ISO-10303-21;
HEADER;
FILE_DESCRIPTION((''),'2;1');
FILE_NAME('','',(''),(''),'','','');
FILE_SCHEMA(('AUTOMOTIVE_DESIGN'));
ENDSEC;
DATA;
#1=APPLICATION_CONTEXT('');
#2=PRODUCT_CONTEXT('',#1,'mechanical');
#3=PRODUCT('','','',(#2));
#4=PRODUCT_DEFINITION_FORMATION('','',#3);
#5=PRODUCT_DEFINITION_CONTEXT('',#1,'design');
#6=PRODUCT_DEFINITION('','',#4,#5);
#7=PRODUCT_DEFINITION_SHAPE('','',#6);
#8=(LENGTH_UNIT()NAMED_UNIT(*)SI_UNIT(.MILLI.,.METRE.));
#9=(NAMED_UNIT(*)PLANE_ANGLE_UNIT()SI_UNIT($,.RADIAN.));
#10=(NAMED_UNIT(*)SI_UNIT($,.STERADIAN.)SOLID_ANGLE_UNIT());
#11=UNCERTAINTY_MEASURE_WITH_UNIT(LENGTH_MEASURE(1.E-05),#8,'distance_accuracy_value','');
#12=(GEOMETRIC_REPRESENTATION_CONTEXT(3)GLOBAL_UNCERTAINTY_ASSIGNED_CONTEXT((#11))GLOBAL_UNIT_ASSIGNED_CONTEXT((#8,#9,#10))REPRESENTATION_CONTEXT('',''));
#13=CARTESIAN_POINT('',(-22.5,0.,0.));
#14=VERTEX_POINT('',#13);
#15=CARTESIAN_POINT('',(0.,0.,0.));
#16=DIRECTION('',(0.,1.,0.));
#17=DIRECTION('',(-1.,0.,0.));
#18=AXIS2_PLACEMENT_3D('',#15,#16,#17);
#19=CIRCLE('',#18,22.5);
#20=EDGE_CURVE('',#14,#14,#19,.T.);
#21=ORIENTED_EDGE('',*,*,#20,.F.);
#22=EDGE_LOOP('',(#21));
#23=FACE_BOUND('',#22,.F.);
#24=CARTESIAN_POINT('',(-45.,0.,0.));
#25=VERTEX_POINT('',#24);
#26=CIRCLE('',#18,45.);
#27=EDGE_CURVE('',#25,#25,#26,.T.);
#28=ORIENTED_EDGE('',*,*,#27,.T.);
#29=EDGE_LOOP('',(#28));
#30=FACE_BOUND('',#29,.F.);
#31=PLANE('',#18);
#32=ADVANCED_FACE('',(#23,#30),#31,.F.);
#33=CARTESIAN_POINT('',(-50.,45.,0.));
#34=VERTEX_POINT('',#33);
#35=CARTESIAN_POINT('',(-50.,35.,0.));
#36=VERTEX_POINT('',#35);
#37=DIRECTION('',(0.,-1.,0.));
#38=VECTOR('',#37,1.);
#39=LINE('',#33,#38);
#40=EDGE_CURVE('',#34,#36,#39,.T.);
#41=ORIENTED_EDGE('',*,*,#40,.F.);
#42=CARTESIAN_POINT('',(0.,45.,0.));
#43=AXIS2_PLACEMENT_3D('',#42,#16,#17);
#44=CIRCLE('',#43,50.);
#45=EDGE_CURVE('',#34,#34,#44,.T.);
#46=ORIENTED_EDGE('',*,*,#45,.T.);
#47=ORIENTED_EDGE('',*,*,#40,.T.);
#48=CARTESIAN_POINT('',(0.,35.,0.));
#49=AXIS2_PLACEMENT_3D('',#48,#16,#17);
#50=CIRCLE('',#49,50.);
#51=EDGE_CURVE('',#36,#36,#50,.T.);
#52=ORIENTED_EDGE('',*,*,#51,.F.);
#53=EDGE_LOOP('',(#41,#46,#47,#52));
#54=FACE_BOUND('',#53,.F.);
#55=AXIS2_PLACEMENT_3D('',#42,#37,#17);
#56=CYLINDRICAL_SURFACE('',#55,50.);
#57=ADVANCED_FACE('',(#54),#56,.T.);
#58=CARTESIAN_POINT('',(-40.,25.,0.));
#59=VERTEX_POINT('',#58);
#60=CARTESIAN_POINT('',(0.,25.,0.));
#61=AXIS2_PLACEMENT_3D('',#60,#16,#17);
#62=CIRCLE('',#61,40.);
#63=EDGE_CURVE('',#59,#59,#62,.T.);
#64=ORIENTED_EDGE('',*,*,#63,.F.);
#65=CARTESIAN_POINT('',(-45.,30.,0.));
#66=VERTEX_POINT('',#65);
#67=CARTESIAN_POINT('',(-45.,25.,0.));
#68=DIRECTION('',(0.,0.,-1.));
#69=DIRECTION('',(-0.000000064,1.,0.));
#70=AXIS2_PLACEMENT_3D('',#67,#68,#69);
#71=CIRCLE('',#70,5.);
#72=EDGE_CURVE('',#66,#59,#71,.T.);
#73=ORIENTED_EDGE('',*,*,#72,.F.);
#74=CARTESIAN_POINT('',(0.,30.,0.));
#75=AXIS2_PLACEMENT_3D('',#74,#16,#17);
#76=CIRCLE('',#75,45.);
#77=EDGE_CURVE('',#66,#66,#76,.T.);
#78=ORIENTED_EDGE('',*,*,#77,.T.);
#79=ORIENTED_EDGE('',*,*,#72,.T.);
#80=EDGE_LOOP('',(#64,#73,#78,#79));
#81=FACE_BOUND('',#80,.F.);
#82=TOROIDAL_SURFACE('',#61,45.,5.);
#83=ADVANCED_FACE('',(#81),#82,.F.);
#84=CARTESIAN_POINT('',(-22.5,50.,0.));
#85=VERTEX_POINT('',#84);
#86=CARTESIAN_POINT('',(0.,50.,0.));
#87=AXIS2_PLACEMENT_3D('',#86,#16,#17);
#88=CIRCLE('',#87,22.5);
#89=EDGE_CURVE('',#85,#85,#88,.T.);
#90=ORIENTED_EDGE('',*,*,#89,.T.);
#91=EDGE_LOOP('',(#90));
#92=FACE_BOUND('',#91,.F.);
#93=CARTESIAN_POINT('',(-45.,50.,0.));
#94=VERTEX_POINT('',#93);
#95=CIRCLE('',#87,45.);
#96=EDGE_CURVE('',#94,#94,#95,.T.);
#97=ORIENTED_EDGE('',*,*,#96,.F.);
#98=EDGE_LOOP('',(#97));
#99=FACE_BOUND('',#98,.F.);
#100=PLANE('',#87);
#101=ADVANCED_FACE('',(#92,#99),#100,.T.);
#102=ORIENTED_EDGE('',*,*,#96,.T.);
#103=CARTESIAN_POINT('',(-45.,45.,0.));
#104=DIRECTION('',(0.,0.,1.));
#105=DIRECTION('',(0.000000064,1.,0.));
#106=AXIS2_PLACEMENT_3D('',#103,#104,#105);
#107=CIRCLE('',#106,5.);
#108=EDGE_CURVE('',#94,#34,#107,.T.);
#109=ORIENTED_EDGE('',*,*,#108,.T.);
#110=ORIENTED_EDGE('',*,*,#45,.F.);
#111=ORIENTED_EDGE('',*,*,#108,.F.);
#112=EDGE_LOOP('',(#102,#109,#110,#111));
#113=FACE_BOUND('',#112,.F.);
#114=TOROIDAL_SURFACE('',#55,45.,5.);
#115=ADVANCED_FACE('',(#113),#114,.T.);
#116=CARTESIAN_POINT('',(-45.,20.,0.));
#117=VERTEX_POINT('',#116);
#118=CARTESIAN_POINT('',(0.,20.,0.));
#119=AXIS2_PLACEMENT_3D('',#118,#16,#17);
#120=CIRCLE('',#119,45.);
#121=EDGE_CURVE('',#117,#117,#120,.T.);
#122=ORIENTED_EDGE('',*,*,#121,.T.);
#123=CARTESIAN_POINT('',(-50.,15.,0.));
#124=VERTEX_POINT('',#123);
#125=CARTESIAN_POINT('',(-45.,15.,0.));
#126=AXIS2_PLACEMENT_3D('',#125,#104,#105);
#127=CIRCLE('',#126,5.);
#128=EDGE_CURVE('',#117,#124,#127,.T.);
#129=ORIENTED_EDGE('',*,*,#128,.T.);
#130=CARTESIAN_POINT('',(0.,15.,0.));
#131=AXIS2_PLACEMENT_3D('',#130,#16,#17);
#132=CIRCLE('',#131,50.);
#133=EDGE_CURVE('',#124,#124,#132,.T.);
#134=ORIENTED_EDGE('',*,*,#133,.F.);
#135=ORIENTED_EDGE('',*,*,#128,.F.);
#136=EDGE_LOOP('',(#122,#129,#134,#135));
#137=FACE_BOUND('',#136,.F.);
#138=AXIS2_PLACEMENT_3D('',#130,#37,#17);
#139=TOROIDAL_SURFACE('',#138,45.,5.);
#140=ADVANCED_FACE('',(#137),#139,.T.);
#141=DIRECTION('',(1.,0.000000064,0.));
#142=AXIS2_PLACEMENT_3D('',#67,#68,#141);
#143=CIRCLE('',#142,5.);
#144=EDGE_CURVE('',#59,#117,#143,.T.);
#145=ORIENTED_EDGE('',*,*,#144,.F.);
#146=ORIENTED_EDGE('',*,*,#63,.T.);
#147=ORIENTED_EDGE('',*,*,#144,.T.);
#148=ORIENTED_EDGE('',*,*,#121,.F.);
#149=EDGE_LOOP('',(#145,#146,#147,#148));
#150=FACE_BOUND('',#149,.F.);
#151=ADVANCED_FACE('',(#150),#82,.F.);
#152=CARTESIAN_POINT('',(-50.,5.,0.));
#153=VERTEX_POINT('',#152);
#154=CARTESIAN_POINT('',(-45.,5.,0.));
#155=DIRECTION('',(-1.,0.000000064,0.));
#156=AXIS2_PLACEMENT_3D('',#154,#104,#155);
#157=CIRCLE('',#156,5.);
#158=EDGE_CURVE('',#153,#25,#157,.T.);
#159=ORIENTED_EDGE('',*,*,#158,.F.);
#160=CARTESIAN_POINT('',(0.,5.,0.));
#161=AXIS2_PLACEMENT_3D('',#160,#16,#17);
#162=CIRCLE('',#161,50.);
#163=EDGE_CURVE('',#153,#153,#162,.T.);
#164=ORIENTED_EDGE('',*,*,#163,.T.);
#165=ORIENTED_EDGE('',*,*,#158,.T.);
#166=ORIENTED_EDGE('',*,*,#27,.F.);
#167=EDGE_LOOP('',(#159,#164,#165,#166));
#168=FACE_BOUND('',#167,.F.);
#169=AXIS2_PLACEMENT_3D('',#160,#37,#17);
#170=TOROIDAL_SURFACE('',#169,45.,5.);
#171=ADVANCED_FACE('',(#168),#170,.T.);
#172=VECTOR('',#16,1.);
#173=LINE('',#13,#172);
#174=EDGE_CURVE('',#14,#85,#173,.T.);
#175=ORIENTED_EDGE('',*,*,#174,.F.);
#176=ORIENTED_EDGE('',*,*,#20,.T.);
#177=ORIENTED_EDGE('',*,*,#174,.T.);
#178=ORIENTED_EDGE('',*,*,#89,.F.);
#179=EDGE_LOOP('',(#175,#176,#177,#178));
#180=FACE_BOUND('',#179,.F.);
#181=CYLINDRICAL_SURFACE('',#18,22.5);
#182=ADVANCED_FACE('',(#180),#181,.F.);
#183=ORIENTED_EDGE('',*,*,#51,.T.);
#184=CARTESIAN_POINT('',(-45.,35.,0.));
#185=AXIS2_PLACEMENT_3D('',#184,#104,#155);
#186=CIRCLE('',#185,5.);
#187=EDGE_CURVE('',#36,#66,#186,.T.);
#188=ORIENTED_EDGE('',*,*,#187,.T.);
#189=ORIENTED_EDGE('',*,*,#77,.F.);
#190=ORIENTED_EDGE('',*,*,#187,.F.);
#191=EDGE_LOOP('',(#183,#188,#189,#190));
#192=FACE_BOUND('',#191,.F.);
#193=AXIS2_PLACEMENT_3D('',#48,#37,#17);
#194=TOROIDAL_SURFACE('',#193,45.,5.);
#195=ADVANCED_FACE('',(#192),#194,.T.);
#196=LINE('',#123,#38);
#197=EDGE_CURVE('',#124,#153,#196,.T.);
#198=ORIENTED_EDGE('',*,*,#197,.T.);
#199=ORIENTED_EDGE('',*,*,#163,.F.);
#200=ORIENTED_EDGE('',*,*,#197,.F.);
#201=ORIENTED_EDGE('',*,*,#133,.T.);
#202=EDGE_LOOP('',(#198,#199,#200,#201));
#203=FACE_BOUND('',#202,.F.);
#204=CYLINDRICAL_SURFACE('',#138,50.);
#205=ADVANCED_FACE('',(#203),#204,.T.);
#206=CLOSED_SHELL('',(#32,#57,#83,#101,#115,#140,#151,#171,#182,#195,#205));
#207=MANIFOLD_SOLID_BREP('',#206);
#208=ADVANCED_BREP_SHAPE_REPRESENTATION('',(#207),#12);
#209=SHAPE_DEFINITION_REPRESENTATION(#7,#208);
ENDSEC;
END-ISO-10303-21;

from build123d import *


with BuildPart() as f1:
    # F0 (on Top) → F1 (revolve)
    with BuildSketch(Plane.XY):
        with BuildLine():
            Line((-45, 0), (-22.5, 0))
            Line((-22.5, 0), (-22.5, 50))
            Line((-22.5, 50), (-45, 50))
            ThreePointArc((-45, 50), (-48.535534, 48.535534), (-50, 45))
            Line((-50, 45), (-50, 35))
            ThreePointArc((-50, 35), (-48.535534, 31.464466), (-45, 30))
            ThreePointArc((-45, 30), (-41.464466, 28.535534), (-40, 25))
            ThreePointArc((-40, 25), (-41.464466, 21.464466), (-45, 20))
            ThreePointArc((-45, 20), (-48.535534, 18.535534), (-50, 15))
            Line((-50, 15), (-50, 5))
            ThreePointArc((-50, 5), (-48.535534, 1.464466), (-45, 0))
        make_face()
    revolve(axis=Axis((0, 25, 0), (0, 1, 0)))


solid = f1.part
